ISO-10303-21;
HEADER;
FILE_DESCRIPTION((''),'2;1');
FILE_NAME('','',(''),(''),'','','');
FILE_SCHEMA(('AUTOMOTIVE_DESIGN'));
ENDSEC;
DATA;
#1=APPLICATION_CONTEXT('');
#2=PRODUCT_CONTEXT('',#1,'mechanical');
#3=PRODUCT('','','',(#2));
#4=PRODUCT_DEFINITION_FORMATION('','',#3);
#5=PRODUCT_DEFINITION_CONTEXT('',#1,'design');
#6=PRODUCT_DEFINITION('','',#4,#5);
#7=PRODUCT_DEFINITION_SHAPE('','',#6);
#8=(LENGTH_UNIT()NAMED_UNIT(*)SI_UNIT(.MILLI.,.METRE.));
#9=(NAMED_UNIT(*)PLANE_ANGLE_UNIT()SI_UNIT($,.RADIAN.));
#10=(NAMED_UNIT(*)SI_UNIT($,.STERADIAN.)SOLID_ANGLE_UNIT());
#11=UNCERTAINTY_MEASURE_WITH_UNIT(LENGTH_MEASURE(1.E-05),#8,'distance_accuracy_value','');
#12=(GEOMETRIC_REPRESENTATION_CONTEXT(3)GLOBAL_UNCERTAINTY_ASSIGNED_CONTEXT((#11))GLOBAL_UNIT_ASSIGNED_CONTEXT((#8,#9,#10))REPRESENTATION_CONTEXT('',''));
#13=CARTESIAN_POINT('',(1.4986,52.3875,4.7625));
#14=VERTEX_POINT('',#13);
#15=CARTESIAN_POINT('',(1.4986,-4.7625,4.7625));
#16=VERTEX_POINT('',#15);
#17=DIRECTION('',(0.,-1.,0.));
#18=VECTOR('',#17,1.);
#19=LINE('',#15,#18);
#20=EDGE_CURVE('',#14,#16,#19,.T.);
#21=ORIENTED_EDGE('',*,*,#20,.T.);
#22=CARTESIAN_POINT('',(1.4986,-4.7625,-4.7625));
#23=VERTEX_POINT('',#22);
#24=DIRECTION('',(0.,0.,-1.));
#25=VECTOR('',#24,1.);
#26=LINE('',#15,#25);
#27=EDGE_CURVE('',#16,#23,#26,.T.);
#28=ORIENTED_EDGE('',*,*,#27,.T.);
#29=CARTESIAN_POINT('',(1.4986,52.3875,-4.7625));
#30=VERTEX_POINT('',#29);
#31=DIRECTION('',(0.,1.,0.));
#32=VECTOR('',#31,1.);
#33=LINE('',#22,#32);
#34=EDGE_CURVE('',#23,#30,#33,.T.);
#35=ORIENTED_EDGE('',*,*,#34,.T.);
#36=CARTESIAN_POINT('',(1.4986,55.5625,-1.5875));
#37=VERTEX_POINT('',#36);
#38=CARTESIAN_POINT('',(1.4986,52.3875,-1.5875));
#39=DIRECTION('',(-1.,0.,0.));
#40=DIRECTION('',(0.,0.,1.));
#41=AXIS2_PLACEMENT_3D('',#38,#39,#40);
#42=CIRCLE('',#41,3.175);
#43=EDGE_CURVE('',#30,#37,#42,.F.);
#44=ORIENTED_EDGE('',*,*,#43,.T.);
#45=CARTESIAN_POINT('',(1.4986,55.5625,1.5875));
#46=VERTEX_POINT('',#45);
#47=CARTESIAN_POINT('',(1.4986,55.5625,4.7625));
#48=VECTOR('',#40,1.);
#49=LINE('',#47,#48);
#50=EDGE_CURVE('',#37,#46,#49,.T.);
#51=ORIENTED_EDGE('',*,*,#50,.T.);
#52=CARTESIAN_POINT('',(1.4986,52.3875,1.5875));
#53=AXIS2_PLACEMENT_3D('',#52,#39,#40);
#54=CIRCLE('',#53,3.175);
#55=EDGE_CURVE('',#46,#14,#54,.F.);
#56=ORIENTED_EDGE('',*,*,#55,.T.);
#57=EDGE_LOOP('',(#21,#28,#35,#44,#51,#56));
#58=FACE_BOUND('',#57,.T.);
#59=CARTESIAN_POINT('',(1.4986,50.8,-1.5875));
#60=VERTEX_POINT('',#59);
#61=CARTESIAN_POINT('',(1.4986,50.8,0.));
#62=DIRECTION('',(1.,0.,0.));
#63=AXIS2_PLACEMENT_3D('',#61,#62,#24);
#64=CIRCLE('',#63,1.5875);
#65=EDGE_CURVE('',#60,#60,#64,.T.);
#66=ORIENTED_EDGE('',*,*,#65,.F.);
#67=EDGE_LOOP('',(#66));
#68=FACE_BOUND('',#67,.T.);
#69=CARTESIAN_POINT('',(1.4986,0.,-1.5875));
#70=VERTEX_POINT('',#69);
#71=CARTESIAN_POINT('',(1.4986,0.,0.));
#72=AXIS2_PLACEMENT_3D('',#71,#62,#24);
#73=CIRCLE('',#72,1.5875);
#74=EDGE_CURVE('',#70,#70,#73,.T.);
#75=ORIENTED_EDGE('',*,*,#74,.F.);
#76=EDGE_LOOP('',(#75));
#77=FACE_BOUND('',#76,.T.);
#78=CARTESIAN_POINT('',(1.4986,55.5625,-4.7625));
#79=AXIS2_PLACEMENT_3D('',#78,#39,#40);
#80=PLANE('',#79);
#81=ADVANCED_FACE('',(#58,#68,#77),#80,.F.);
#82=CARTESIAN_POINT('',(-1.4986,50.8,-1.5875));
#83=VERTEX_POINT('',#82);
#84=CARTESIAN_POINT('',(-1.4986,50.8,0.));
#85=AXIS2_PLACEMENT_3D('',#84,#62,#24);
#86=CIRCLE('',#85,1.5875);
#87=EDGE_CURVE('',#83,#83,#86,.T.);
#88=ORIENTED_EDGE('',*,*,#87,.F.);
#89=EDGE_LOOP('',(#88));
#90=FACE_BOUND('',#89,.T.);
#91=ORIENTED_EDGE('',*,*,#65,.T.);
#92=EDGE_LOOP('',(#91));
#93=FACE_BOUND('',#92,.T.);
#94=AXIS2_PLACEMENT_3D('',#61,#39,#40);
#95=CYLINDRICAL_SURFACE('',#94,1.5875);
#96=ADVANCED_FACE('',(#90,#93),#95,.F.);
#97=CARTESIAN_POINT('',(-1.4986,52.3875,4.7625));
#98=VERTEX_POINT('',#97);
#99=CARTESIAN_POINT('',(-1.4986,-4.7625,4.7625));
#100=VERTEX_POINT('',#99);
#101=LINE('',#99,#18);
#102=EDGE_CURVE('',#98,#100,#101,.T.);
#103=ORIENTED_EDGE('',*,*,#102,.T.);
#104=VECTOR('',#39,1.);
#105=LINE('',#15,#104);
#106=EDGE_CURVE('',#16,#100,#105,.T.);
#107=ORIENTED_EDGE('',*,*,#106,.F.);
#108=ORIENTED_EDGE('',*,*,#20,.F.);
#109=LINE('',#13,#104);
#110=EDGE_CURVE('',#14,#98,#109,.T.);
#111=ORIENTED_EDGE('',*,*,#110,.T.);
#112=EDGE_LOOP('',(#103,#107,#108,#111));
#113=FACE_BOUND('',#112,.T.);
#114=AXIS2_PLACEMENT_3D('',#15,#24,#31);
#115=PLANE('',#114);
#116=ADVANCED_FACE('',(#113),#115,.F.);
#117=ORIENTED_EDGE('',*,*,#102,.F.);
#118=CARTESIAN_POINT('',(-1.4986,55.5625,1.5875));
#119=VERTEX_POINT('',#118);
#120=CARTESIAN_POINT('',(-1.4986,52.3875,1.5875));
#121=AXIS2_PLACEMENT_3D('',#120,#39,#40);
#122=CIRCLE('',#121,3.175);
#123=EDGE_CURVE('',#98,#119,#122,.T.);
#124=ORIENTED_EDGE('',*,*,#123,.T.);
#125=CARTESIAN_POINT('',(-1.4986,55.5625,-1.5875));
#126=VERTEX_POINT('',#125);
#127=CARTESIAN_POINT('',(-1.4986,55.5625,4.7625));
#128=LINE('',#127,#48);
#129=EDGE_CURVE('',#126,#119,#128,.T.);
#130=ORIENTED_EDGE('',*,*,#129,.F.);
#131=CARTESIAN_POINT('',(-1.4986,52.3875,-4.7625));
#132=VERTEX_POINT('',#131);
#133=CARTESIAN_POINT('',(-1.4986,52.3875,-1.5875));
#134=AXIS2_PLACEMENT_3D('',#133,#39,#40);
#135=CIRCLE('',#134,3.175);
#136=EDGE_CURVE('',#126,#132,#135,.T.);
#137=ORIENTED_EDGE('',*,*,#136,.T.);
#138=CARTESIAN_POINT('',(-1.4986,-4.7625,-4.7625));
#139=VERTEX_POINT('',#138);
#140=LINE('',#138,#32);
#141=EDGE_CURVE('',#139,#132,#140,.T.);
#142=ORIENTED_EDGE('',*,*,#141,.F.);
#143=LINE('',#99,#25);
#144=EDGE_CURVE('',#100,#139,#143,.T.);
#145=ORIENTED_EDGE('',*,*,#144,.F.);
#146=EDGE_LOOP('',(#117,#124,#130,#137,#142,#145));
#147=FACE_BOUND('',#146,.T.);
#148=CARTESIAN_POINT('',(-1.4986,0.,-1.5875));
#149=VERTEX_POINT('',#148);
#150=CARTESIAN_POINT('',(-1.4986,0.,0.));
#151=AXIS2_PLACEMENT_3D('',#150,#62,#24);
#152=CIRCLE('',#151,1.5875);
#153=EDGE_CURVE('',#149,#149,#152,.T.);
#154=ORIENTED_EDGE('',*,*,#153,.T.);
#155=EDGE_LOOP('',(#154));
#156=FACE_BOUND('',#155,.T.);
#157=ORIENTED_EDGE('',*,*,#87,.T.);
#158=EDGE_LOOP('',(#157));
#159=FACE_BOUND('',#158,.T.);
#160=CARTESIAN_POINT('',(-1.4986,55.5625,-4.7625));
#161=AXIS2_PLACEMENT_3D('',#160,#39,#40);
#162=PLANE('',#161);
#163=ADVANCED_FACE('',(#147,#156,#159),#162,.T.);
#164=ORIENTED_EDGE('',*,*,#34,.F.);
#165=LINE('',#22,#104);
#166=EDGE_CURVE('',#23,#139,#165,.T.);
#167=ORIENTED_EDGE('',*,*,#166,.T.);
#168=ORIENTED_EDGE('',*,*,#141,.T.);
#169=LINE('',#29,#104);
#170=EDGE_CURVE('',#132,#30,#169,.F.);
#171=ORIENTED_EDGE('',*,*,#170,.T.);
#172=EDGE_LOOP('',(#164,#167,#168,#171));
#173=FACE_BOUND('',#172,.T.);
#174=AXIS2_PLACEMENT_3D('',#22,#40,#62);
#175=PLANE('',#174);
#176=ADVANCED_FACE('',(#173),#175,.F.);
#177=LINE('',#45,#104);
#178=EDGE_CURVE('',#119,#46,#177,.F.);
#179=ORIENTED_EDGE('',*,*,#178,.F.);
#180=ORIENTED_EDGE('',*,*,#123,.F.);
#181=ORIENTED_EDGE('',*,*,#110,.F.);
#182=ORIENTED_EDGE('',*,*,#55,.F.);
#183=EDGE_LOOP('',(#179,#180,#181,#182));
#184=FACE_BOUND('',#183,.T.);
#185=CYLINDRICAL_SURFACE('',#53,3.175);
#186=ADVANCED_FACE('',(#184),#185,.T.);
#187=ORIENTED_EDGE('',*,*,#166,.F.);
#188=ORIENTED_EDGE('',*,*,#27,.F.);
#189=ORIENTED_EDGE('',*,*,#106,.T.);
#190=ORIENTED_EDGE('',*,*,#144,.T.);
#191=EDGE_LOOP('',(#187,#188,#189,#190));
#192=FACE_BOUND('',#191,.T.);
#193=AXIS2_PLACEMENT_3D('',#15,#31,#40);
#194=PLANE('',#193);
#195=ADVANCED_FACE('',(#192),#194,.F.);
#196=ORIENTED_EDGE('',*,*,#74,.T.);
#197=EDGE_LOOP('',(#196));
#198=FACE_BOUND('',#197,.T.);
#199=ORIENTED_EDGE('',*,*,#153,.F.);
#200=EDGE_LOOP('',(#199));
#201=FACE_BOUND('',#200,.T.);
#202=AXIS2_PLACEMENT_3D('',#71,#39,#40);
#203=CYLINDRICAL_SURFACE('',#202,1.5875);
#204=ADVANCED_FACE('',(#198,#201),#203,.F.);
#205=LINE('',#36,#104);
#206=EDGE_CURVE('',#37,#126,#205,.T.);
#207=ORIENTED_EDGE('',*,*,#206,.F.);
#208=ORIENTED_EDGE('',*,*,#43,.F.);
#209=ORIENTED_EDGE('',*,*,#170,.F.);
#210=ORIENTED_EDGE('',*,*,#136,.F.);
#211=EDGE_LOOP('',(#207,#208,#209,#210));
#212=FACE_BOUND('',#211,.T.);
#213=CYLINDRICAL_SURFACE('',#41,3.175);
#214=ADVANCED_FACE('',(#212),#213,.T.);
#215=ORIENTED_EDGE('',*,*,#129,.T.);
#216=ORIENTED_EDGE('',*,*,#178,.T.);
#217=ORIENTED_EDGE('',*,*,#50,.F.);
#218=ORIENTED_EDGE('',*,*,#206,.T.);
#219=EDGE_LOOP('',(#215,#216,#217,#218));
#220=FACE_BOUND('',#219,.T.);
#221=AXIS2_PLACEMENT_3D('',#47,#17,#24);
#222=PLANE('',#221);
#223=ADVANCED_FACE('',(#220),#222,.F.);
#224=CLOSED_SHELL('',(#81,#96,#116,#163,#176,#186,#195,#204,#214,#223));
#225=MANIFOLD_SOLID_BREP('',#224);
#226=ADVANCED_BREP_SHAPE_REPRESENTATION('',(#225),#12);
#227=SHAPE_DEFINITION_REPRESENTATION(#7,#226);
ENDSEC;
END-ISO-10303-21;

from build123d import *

# Parameters (mm, degrees)
SKETCH1_W      = 9.525
SKETCH1_H      = 60.325
SKETCH1_R      = 1.5875
EXTRUDE1_DEPTH = 1.4986
FILLET1_R      = 3.175


with BuildPart() as part:
    # Sketch1 → Extrude1 (new body, symmetric)
    with BuildSketch(Plane(origin=(0, 0, 0), x_dir=(0, 0, -1), z_dir=(1, 0, 0))):
        with Locations((0, 25.4)):
            Rectangle(SKETCH1_W, SKETCH1_H)
        Circle(SKETCH1_R, mode=Mode.SUBTRACT)
        with Locations((0, 50.8)):
            Circle(SKETCH1_R, mode=Mode.SUBTRACT)
    extrude(amount=EXTRUDE1_DEPTH, both=True)

    # Fillet1
    fillet1_edges = [part.edges().sort_by_distance(p)[0] for p in [
        (0, 55.5625, 4.7625),
        (0, 55.5625, -4.7625),
    ]]
    fillet(fillet1_edges, radius=FILLET1_R)


solid = part.part
